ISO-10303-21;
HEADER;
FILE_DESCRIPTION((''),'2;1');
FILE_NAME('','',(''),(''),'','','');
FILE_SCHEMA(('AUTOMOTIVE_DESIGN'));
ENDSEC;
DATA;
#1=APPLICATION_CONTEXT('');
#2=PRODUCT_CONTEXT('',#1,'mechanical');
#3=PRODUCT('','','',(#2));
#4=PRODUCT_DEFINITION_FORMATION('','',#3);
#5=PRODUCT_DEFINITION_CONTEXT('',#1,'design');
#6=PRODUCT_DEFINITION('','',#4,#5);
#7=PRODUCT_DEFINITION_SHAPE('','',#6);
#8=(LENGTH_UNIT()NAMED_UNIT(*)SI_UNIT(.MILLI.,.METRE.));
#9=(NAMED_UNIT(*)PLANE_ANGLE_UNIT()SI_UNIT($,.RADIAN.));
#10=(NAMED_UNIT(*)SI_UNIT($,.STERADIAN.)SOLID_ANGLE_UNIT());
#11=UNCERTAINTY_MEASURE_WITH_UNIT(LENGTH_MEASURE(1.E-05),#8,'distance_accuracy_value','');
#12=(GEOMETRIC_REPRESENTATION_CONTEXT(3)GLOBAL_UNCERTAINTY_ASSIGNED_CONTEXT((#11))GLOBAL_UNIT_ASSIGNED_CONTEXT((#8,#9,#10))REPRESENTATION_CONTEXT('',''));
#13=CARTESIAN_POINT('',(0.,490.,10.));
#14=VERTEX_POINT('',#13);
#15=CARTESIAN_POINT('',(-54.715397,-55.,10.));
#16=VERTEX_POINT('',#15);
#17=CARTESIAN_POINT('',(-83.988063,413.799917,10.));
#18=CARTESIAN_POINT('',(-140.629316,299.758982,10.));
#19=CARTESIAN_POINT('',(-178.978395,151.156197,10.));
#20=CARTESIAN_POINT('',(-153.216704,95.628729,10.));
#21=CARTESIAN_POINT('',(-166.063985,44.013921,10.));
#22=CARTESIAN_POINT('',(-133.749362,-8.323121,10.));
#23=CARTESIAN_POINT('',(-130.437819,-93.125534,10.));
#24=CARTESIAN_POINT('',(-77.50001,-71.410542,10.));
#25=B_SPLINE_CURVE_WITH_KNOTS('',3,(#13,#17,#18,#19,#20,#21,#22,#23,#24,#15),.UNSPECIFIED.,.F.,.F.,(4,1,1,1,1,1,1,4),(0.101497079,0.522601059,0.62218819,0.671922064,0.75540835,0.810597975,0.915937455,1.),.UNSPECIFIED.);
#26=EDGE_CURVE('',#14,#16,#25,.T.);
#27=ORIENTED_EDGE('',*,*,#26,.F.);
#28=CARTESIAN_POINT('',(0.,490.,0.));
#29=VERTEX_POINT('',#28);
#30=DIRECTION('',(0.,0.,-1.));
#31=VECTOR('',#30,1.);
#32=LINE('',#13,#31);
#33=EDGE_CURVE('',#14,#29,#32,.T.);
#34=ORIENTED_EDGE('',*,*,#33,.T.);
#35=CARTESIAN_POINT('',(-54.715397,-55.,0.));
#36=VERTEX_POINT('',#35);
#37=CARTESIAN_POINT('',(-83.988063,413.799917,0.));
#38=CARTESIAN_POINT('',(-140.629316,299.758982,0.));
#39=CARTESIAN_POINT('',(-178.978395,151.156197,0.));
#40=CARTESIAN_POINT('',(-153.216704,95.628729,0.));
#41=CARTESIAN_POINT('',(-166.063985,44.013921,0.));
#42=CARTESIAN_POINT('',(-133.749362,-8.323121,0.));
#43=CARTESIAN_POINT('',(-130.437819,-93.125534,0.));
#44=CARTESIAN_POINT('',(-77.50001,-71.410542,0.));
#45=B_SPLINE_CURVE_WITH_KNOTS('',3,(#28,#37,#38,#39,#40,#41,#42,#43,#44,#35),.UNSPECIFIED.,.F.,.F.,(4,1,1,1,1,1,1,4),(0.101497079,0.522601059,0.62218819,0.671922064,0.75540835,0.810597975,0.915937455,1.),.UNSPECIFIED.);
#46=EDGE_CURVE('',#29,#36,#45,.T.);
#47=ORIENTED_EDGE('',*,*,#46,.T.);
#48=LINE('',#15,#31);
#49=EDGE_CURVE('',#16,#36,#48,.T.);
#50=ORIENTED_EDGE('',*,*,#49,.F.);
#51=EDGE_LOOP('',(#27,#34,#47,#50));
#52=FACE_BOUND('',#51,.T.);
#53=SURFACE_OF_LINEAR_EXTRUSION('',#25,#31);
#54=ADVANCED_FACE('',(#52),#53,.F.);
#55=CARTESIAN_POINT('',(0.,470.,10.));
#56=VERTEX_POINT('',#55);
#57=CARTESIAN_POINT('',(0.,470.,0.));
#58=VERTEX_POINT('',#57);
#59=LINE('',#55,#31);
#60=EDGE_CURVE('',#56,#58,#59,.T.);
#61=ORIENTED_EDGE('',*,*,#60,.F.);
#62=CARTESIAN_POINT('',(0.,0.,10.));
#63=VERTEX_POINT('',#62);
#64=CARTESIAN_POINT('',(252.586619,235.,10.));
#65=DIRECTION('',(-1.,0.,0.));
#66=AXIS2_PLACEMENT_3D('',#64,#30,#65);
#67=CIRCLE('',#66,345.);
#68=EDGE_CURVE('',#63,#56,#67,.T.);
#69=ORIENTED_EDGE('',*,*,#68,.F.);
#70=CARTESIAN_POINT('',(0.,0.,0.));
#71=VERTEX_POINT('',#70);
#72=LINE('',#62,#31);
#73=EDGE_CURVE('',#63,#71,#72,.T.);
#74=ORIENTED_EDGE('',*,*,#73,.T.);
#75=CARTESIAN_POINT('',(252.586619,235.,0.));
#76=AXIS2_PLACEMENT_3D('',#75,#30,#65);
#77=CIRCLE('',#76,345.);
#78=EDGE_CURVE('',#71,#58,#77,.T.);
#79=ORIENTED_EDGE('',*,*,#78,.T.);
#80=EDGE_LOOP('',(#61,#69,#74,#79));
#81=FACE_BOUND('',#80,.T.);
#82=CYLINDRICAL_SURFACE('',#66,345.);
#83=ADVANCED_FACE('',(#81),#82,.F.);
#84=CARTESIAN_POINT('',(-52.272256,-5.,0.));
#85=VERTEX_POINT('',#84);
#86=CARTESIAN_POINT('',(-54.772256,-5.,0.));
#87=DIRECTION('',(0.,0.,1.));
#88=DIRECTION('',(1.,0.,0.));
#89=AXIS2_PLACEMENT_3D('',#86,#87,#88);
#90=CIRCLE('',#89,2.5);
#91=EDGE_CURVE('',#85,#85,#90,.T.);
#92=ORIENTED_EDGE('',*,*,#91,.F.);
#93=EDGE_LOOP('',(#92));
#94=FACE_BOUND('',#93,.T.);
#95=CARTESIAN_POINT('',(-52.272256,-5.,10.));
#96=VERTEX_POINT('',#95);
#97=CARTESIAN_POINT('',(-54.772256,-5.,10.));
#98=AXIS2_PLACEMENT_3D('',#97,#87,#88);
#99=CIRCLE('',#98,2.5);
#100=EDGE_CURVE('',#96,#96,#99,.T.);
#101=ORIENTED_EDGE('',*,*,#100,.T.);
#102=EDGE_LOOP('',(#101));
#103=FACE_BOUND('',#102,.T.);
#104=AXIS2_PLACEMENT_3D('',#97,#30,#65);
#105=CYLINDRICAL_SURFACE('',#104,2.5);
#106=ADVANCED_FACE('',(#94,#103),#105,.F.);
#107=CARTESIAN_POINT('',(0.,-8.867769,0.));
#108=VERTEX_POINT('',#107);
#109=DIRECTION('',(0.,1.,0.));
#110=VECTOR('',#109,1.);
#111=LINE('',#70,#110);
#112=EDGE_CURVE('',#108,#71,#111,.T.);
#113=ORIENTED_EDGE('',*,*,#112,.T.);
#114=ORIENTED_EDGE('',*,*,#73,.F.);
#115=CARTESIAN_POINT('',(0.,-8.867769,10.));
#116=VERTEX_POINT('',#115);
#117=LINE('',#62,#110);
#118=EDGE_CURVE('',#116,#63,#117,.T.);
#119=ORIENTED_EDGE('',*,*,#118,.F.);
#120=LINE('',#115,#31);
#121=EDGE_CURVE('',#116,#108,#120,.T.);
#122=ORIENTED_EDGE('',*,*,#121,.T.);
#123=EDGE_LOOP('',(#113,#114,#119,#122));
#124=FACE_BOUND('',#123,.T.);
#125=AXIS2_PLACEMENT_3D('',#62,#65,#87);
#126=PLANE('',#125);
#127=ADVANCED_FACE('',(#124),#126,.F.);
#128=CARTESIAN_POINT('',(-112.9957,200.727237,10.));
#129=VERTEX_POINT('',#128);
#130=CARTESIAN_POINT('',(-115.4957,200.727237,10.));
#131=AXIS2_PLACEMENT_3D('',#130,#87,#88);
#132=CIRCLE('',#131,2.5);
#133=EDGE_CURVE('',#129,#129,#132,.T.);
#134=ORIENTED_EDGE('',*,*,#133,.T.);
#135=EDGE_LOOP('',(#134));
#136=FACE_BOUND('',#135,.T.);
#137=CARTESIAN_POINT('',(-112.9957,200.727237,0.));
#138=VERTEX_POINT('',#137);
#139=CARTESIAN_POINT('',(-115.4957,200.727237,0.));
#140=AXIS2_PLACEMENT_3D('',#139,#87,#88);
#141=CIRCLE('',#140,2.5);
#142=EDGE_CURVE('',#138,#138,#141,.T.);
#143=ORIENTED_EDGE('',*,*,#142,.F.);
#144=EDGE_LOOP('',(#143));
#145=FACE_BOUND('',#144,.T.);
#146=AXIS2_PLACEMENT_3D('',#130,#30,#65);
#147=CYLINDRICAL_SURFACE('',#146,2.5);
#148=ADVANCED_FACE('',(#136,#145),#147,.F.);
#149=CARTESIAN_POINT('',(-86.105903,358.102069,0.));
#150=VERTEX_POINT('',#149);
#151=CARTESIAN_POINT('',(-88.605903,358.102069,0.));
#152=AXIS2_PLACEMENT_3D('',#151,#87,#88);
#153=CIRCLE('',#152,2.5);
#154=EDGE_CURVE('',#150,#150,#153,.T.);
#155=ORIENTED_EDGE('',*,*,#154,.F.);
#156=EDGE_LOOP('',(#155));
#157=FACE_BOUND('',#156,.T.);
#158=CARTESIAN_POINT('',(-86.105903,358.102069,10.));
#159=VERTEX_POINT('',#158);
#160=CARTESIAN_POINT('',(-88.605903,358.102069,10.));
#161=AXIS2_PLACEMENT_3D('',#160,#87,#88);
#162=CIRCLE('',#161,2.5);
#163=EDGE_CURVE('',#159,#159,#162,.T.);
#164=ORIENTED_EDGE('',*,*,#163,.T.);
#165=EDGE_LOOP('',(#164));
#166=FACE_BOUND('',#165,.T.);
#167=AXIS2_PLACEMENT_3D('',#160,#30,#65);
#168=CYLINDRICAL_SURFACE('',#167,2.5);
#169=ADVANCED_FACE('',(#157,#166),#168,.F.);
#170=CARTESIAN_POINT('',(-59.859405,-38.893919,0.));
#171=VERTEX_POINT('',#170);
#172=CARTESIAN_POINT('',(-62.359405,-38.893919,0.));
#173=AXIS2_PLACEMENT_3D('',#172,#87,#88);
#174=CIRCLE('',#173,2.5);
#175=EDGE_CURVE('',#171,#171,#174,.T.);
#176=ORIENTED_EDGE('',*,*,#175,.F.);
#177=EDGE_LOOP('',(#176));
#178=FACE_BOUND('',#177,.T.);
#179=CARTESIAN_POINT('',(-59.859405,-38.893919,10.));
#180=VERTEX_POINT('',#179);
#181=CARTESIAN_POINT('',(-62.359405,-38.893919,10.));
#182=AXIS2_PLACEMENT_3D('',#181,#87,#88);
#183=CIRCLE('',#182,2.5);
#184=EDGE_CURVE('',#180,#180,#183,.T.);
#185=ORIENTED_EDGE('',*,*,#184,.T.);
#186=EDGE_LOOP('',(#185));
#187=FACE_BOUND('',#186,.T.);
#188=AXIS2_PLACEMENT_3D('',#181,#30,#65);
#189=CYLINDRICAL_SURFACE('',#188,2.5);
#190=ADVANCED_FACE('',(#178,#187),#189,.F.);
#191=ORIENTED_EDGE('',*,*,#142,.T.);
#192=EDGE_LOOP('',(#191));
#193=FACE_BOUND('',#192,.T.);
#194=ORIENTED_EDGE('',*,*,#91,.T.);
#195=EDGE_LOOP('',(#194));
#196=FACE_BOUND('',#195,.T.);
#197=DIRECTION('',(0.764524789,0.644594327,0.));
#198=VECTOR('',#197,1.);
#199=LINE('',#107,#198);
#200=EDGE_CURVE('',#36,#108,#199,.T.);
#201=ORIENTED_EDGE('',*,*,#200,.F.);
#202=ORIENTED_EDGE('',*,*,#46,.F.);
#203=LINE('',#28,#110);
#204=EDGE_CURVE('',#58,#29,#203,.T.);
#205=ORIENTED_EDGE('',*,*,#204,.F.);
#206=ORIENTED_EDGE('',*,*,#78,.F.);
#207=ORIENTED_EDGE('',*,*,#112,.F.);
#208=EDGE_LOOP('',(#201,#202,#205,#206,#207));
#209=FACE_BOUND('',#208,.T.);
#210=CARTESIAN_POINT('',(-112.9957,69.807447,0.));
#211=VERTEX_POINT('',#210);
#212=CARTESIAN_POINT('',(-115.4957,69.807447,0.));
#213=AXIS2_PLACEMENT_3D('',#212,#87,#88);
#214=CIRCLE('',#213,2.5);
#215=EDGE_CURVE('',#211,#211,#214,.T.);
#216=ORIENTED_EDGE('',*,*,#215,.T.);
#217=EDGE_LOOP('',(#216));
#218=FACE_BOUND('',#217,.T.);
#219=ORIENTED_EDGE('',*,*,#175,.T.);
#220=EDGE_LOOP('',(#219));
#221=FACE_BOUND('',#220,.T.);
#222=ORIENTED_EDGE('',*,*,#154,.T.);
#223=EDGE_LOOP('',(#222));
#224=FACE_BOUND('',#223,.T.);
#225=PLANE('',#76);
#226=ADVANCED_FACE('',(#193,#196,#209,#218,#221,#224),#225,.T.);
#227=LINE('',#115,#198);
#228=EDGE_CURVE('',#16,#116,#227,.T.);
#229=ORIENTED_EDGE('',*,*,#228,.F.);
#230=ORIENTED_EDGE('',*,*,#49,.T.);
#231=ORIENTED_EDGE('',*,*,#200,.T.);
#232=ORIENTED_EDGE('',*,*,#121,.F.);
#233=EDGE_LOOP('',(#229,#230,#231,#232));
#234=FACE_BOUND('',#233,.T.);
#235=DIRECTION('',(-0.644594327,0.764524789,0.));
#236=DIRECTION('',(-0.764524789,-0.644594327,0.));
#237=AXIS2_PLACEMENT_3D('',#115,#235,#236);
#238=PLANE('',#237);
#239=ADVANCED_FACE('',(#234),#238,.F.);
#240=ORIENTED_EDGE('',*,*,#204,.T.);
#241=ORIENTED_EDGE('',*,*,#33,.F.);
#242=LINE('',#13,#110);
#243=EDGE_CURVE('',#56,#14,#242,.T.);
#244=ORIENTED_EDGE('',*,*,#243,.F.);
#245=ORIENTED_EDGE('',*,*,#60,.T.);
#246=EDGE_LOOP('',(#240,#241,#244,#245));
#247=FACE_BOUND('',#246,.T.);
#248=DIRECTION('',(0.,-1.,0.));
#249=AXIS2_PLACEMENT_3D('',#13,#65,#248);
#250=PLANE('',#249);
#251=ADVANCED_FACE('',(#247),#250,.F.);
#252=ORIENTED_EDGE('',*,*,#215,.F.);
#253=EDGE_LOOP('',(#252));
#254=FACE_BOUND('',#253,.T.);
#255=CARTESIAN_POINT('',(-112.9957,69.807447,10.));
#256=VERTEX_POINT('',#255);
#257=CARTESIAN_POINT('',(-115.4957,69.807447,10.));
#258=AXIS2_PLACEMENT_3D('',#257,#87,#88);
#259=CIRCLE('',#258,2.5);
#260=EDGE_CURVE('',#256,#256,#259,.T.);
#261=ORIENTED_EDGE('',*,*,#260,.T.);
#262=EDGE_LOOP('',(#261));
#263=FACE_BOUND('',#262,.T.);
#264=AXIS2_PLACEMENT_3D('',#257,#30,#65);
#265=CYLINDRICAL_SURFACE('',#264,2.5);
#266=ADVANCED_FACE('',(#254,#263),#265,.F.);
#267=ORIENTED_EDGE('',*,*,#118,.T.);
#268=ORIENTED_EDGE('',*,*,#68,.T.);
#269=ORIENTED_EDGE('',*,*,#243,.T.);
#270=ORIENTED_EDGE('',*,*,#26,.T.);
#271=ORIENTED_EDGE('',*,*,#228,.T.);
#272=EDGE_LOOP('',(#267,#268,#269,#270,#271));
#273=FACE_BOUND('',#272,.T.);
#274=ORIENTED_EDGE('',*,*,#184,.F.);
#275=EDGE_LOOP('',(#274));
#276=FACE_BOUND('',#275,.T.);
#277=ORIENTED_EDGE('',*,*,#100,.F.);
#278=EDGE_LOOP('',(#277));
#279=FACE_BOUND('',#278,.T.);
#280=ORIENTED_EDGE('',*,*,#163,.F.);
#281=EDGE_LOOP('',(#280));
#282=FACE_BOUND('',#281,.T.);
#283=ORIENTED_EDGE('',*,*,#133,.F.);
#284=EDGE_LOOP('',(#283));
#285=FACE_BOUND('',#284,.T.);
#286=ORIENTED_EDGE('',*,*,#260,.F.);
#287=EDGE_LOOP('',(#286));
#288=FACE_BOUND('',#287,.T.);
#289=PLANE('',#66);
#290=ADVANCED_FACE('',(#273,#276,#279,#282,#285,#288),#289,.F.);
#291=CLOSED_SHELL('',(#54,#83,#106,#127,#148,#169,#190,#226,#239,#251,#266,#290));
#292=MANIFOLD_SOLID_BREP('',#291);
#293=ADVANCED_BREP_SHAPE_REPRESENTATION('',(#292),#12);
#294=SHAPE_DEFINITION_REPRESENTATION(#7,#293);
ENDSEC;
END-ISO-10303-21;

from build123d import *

# Parameters (mm, degrees)
SKETCH3_R           = 2.5
BOSS_EXTRUDE1_DEPTH = 10


with BuildPart() as part:
    # Sketch3 → Boss-Extrude1 (new body)
    with BuildSketch(Plane.XY):
        with BuildLine():
            Line((0, 490), (0, 470))
            ThreePointArc((0, 470), (-92.413381194, 235), (0, 0))
            Line((0, 0), (0, -8.867768956))
            Line((0, -8.867768956), (-54.715396563, -55))
            add(Edge.make_bspline(
                [(-54.715396563, -55), (-77.500010104, -71.410542433), (-130.437818625, -93.125533591), (-133.749361855, -8.323121335), (-166.063985478, 44.01392087), (-153.216703704, 95.628729379), (-178.978394968, 151.156197499), (-140.629316159, 299.758982487), (-83.988063243, 413.799917365), (0, 490)],
                knots=[0.101497079, 0.101497079, 0.101497079, 0.101497079, 0.185559624, 0.290899105, 0.346088729, 0.429575015, 0.479308889, 0.578896021, 1, 1, 1, 1], degree=3))
        make_face()
        with Locations((-54.772255751, -5)):
            Circle(SKETCH3_R, mode=Mode.SUBTRACT)
        with Locations((-62.359405203, -38.893919331)):
            Circle(SKETCH3_R, mode=Mode.SUBTRACT)
        with Locations((-115.495699517, 69.807446598)):
            Circle(SKETCH3_R, mode=Mode.SUBTRACT)
        with Locations((-115.495699517, 200.727236705)):
            Circle(SKETCH3_R, mode=Mode.SUBTRACT)
        with Locations((-88.605903344, 358.102068825)):
            Circle(SKETCH3_R, mode=Mode.SUBTRACT)
    extrude(amount=BOSS_EXTRUDE1_DEPTH)


solid = part.part
